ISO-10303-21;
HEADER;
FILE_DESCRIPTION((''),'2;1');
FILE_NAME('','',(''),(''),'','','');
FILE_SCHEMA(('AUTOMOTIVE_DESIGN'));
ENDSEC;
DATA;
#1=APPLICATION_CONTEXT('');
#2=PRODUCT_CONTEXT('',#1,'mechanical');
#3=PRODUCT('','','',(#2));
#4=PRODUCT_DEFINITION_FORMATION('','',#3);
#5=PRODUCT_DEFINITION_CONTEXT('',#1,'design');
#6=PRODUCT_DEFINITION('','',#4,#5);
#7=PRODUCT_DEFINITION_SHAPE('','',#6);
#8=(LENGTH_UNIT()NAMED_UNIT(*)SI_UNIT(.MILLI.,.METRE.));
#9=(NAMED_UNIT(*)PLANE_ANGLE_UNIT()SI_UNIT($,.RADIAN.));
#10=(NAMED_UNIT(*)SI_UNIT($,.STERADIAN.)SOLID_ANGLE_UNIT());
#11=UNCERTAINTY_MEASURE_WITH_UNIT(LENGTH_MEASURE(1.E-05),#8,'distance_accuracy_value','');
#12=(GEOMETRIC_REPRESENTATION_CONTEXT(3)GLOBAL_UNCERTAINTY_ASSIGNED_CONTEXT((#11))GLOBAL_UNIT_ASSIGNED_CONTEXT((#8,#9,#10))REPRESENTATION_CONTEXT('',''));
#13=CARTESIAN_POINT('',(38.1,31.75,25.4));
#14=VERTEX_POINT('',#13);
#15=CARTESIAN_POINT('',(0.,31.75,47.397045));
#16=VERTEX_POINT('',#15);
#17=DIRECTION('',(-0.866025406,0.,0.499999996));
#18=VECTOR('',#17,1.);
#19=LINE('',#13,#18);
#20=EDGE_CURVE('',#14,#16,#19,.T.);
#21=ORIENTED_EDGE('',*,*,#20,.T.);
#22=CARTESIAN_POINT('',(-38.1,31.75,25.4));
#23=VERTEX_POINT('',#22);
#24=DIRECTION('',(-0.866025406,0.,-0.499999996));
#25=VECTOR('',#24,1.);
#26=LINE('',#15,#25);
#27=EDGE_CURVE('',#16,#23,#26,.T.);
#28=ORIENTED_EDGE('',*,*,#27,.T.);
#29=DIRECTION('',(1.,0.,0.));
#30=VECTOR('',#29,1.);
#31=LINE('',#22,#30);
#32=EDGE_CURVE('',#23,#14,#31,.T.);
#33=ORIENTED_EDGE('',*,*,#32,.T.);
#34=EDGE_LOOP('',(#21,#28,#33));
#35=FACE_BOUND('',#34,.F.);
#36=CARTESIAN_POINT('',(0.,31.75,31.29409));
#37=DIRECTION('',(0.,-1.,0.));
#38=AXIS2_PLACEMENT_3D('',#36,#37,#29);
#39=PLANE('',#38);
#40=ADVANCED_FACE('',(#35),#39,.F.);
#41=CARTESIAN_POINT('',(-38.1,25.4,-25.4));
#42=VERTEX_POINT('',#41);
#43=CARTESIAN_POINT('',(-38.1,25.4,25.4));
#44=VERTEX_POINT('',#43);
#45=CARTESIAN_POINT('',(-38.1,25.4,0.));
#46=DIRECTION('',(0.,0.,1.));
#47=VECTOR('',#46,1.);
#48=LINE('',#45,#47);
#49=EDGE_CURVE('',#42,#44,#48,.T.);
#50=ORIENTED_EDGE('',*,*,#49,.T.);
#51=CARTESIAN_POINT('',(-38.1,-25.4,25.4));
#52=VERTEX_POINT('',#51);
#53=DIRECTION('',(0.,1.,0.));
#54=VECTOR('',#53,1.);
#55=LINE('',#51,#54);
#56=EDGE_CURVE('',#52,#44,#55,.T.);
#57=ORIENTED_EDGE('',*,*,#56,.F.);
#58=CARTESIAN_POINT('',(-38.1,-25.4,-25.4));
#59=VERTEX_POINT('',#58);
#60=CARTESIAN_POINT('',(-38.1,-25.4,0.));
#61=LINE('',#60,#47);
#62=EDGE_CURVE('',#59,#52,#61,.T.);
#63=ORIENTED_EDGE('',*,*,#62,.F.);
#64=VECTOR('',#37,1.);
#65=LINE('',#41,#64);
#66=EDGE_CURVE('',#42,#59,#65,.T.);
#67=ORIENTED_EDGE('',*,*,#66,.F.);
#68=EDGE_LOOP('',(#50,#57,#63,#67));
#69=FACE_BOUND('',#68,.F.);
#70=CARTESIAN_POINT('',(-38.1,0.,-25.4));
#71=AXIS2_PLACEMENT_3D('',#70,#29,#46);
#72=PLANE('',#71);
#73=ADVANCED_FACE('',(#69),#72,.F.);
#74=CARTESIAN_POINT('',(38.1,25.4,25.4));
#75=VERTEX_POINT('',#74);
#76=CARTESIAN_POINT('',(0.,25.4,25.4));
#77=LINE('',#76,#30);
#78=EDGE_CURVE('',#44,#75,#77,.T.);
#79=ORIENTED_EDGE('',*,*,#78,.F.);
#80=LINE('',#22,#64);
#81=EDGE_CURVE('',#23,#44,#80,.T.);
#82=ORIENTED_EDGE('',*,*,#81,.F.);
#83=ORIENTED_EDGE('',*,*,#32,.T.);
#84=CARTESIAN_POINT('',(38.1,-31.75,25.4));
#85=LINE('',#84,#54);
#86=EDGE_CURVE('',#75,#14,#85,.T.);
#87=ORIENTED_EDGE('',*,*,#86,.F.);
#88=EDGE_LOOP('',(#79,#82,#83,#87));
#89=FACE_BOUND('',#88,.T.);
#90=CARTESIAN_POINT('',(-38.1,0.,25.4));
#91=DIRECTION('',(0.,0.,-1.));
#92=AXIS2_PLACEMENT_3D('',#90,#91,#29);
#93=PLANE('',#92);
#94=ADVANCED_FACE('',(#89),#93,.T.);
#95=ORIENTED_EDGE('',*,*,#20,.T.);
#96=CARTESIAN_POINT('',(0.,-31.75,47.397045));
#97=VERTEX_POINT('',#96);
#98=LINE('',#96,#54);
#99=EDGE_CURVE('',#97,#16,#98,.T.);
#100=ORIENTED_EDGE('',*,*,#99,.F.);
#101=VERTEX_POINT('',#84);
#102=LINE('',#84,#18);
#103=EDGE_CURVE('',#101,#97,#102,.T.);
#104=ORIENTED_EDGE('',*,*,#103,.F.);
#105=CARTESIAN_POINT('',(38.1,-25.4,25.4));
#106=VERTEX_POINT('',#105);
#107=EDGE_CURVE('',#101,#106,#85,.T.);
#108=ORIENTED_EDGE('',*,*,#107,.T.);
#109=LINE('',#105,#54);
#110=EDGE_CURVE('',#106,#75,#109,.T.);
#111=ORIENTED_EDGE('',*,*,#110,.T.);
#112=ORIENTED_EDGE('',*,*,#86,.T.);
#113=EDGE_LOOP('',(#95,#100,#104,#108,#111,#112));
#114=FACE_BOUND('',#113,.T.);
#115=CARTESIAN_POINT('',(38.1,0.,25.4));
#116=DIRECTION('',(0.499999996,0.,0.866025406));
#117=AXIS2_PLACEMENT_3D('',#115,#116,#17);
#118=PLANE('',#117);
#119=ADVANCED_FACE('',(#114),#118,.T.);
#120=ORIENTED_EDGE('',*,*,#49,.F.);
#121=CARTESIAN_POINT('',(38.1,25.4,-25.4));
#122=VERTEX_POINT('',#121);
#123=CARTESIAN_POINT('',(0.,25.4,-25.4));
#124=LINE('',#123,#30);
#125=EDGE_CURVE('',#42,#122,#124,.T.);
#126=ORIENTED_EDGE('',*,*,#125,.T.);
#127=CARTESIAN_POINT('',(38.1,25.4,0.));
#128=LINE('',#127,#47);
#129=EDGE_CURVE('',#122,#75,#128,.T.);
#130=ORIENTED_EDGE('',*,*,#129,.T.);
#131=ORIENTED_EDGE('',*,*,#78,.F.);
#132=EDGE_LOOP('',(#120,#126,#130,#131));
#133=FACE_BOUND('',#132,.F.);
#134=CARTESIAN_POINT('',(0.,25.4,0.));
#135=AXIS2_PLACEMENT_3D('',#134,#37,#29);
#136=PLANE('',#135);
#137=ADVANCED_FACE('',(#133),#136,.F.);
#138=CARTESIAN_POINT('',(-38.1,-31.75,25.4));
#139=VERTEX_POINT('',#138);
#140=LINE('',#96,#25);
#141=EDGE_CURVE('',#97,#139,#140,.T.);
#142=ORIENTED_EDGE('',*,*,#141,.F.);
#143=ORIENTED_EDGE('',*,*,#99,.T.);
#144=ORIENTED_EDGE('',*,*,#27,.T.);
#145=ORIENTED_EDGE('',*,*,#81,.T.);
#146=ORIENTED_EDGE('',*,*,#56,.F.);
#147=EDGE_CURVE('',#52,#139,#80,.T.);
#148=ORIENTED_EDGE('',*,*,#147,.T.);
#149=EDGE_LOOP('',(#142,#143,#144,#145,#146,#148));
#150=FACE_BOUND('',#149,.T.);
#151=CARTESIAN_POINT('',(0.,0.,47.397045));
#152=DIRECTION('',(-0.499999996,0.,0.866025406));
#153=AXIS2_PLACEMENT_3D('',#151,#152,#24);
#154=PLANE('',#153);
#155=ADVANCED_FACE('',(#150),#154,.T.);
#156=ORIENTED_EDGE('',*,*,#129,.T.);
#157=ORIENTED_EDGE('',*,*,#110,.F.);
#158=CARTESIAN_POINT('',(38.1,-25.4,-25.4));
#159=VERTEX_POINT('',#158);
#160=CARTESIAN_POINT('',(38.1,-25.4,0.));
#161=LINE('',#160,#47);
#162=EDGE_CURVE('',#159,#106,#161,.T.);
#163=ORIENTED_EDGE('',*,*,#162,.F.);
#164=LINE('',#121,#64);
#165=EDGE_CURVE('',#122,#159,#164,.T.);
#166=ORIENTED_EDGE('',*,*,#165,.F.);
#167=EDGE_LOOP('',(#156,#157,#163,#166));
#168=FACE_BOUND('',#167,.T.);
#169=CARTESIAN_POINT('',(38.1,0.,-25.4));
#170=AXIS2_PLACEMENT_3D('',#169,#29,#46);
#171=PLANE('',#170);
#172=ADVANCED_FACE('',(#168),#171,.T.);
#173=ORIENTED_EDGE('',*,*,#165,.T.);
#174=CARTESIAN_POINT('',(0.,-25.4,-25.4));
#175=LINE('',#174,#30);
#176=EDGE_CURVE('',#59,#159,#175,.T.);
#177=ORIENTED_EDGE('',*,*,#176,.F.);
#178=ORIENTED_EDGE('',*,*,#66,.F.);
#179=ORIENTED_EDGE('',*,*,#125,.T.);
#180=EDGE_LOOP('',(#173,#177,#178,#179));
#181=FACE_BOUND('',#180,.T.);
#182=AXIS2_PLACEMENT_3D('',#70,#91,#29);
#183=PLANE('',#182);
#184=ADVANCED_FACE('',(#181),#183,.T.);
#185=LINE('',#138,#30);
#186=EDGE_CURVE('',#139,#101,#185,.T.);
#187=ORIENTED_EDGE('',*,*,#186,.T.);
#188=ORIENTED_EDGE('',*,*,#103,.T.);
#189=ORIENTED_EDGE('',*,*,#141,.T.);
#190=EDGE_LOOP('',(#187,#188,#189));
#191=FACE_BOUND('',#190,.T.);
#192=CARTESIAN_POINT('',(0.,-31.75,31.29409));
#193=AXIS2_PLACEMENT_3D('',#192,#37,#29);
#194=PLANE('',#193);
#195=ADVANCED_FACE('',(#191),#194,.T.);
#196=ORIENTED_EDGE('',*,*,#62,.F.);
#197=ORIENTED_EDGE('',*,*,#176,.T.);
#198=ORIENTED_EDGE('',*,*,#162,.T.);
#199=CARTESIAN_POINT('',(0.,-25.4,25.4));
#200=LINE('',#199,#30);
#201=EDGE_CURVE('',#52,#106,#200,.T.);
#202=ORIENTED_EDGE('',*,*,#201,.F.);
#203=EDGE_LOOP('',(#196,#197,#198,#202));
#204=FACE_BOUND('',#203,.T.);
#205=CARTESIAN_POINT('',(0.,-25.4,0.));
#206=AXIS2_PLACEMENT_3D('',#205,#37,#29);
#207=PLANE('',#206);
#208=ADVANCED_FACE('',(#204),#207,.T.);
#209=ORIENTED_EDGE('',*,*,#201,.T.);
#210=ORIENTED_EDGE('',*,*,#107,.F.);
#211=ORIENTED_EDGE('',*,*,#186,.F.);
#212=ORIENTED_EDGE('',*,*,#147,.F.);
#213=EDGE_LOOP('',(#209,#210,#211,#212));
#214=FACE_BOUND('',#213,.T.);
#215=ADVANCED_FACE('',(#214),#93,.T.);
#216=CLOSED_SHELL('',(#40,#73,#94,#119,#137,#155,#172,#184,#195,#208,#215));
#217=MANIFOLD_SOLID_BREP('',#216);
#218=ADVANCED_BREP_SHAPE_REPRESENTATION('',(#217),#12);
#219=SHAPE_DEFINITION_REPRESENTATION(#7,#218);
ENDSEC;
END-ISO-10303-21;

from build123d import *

# Parameters (mm, degrees)
F0_W     = 76.2
F0_H     = 50.8
F1_DEPTH = 25.4
F2_DEPTH = 31.75


with BuildPart() as f1:
    # F0 (on Front) → F1 (new body, symmetric)
    with BuildSketch(Plane.XZ):
        Rectangle(F0_W, F0_H)
    extrude(amount=F1_DEPTH, both=True)

    # F0 (on Front) → F2 (join, symmetric)
    with BuildSketch(Plane.XZ):
        Polygon((0, 47.397045), (-38.1, 25.4), (38.1, 25.4), align=None)
    extrude(amount=F2_DEPTH, both=True)


solid = f1.part
